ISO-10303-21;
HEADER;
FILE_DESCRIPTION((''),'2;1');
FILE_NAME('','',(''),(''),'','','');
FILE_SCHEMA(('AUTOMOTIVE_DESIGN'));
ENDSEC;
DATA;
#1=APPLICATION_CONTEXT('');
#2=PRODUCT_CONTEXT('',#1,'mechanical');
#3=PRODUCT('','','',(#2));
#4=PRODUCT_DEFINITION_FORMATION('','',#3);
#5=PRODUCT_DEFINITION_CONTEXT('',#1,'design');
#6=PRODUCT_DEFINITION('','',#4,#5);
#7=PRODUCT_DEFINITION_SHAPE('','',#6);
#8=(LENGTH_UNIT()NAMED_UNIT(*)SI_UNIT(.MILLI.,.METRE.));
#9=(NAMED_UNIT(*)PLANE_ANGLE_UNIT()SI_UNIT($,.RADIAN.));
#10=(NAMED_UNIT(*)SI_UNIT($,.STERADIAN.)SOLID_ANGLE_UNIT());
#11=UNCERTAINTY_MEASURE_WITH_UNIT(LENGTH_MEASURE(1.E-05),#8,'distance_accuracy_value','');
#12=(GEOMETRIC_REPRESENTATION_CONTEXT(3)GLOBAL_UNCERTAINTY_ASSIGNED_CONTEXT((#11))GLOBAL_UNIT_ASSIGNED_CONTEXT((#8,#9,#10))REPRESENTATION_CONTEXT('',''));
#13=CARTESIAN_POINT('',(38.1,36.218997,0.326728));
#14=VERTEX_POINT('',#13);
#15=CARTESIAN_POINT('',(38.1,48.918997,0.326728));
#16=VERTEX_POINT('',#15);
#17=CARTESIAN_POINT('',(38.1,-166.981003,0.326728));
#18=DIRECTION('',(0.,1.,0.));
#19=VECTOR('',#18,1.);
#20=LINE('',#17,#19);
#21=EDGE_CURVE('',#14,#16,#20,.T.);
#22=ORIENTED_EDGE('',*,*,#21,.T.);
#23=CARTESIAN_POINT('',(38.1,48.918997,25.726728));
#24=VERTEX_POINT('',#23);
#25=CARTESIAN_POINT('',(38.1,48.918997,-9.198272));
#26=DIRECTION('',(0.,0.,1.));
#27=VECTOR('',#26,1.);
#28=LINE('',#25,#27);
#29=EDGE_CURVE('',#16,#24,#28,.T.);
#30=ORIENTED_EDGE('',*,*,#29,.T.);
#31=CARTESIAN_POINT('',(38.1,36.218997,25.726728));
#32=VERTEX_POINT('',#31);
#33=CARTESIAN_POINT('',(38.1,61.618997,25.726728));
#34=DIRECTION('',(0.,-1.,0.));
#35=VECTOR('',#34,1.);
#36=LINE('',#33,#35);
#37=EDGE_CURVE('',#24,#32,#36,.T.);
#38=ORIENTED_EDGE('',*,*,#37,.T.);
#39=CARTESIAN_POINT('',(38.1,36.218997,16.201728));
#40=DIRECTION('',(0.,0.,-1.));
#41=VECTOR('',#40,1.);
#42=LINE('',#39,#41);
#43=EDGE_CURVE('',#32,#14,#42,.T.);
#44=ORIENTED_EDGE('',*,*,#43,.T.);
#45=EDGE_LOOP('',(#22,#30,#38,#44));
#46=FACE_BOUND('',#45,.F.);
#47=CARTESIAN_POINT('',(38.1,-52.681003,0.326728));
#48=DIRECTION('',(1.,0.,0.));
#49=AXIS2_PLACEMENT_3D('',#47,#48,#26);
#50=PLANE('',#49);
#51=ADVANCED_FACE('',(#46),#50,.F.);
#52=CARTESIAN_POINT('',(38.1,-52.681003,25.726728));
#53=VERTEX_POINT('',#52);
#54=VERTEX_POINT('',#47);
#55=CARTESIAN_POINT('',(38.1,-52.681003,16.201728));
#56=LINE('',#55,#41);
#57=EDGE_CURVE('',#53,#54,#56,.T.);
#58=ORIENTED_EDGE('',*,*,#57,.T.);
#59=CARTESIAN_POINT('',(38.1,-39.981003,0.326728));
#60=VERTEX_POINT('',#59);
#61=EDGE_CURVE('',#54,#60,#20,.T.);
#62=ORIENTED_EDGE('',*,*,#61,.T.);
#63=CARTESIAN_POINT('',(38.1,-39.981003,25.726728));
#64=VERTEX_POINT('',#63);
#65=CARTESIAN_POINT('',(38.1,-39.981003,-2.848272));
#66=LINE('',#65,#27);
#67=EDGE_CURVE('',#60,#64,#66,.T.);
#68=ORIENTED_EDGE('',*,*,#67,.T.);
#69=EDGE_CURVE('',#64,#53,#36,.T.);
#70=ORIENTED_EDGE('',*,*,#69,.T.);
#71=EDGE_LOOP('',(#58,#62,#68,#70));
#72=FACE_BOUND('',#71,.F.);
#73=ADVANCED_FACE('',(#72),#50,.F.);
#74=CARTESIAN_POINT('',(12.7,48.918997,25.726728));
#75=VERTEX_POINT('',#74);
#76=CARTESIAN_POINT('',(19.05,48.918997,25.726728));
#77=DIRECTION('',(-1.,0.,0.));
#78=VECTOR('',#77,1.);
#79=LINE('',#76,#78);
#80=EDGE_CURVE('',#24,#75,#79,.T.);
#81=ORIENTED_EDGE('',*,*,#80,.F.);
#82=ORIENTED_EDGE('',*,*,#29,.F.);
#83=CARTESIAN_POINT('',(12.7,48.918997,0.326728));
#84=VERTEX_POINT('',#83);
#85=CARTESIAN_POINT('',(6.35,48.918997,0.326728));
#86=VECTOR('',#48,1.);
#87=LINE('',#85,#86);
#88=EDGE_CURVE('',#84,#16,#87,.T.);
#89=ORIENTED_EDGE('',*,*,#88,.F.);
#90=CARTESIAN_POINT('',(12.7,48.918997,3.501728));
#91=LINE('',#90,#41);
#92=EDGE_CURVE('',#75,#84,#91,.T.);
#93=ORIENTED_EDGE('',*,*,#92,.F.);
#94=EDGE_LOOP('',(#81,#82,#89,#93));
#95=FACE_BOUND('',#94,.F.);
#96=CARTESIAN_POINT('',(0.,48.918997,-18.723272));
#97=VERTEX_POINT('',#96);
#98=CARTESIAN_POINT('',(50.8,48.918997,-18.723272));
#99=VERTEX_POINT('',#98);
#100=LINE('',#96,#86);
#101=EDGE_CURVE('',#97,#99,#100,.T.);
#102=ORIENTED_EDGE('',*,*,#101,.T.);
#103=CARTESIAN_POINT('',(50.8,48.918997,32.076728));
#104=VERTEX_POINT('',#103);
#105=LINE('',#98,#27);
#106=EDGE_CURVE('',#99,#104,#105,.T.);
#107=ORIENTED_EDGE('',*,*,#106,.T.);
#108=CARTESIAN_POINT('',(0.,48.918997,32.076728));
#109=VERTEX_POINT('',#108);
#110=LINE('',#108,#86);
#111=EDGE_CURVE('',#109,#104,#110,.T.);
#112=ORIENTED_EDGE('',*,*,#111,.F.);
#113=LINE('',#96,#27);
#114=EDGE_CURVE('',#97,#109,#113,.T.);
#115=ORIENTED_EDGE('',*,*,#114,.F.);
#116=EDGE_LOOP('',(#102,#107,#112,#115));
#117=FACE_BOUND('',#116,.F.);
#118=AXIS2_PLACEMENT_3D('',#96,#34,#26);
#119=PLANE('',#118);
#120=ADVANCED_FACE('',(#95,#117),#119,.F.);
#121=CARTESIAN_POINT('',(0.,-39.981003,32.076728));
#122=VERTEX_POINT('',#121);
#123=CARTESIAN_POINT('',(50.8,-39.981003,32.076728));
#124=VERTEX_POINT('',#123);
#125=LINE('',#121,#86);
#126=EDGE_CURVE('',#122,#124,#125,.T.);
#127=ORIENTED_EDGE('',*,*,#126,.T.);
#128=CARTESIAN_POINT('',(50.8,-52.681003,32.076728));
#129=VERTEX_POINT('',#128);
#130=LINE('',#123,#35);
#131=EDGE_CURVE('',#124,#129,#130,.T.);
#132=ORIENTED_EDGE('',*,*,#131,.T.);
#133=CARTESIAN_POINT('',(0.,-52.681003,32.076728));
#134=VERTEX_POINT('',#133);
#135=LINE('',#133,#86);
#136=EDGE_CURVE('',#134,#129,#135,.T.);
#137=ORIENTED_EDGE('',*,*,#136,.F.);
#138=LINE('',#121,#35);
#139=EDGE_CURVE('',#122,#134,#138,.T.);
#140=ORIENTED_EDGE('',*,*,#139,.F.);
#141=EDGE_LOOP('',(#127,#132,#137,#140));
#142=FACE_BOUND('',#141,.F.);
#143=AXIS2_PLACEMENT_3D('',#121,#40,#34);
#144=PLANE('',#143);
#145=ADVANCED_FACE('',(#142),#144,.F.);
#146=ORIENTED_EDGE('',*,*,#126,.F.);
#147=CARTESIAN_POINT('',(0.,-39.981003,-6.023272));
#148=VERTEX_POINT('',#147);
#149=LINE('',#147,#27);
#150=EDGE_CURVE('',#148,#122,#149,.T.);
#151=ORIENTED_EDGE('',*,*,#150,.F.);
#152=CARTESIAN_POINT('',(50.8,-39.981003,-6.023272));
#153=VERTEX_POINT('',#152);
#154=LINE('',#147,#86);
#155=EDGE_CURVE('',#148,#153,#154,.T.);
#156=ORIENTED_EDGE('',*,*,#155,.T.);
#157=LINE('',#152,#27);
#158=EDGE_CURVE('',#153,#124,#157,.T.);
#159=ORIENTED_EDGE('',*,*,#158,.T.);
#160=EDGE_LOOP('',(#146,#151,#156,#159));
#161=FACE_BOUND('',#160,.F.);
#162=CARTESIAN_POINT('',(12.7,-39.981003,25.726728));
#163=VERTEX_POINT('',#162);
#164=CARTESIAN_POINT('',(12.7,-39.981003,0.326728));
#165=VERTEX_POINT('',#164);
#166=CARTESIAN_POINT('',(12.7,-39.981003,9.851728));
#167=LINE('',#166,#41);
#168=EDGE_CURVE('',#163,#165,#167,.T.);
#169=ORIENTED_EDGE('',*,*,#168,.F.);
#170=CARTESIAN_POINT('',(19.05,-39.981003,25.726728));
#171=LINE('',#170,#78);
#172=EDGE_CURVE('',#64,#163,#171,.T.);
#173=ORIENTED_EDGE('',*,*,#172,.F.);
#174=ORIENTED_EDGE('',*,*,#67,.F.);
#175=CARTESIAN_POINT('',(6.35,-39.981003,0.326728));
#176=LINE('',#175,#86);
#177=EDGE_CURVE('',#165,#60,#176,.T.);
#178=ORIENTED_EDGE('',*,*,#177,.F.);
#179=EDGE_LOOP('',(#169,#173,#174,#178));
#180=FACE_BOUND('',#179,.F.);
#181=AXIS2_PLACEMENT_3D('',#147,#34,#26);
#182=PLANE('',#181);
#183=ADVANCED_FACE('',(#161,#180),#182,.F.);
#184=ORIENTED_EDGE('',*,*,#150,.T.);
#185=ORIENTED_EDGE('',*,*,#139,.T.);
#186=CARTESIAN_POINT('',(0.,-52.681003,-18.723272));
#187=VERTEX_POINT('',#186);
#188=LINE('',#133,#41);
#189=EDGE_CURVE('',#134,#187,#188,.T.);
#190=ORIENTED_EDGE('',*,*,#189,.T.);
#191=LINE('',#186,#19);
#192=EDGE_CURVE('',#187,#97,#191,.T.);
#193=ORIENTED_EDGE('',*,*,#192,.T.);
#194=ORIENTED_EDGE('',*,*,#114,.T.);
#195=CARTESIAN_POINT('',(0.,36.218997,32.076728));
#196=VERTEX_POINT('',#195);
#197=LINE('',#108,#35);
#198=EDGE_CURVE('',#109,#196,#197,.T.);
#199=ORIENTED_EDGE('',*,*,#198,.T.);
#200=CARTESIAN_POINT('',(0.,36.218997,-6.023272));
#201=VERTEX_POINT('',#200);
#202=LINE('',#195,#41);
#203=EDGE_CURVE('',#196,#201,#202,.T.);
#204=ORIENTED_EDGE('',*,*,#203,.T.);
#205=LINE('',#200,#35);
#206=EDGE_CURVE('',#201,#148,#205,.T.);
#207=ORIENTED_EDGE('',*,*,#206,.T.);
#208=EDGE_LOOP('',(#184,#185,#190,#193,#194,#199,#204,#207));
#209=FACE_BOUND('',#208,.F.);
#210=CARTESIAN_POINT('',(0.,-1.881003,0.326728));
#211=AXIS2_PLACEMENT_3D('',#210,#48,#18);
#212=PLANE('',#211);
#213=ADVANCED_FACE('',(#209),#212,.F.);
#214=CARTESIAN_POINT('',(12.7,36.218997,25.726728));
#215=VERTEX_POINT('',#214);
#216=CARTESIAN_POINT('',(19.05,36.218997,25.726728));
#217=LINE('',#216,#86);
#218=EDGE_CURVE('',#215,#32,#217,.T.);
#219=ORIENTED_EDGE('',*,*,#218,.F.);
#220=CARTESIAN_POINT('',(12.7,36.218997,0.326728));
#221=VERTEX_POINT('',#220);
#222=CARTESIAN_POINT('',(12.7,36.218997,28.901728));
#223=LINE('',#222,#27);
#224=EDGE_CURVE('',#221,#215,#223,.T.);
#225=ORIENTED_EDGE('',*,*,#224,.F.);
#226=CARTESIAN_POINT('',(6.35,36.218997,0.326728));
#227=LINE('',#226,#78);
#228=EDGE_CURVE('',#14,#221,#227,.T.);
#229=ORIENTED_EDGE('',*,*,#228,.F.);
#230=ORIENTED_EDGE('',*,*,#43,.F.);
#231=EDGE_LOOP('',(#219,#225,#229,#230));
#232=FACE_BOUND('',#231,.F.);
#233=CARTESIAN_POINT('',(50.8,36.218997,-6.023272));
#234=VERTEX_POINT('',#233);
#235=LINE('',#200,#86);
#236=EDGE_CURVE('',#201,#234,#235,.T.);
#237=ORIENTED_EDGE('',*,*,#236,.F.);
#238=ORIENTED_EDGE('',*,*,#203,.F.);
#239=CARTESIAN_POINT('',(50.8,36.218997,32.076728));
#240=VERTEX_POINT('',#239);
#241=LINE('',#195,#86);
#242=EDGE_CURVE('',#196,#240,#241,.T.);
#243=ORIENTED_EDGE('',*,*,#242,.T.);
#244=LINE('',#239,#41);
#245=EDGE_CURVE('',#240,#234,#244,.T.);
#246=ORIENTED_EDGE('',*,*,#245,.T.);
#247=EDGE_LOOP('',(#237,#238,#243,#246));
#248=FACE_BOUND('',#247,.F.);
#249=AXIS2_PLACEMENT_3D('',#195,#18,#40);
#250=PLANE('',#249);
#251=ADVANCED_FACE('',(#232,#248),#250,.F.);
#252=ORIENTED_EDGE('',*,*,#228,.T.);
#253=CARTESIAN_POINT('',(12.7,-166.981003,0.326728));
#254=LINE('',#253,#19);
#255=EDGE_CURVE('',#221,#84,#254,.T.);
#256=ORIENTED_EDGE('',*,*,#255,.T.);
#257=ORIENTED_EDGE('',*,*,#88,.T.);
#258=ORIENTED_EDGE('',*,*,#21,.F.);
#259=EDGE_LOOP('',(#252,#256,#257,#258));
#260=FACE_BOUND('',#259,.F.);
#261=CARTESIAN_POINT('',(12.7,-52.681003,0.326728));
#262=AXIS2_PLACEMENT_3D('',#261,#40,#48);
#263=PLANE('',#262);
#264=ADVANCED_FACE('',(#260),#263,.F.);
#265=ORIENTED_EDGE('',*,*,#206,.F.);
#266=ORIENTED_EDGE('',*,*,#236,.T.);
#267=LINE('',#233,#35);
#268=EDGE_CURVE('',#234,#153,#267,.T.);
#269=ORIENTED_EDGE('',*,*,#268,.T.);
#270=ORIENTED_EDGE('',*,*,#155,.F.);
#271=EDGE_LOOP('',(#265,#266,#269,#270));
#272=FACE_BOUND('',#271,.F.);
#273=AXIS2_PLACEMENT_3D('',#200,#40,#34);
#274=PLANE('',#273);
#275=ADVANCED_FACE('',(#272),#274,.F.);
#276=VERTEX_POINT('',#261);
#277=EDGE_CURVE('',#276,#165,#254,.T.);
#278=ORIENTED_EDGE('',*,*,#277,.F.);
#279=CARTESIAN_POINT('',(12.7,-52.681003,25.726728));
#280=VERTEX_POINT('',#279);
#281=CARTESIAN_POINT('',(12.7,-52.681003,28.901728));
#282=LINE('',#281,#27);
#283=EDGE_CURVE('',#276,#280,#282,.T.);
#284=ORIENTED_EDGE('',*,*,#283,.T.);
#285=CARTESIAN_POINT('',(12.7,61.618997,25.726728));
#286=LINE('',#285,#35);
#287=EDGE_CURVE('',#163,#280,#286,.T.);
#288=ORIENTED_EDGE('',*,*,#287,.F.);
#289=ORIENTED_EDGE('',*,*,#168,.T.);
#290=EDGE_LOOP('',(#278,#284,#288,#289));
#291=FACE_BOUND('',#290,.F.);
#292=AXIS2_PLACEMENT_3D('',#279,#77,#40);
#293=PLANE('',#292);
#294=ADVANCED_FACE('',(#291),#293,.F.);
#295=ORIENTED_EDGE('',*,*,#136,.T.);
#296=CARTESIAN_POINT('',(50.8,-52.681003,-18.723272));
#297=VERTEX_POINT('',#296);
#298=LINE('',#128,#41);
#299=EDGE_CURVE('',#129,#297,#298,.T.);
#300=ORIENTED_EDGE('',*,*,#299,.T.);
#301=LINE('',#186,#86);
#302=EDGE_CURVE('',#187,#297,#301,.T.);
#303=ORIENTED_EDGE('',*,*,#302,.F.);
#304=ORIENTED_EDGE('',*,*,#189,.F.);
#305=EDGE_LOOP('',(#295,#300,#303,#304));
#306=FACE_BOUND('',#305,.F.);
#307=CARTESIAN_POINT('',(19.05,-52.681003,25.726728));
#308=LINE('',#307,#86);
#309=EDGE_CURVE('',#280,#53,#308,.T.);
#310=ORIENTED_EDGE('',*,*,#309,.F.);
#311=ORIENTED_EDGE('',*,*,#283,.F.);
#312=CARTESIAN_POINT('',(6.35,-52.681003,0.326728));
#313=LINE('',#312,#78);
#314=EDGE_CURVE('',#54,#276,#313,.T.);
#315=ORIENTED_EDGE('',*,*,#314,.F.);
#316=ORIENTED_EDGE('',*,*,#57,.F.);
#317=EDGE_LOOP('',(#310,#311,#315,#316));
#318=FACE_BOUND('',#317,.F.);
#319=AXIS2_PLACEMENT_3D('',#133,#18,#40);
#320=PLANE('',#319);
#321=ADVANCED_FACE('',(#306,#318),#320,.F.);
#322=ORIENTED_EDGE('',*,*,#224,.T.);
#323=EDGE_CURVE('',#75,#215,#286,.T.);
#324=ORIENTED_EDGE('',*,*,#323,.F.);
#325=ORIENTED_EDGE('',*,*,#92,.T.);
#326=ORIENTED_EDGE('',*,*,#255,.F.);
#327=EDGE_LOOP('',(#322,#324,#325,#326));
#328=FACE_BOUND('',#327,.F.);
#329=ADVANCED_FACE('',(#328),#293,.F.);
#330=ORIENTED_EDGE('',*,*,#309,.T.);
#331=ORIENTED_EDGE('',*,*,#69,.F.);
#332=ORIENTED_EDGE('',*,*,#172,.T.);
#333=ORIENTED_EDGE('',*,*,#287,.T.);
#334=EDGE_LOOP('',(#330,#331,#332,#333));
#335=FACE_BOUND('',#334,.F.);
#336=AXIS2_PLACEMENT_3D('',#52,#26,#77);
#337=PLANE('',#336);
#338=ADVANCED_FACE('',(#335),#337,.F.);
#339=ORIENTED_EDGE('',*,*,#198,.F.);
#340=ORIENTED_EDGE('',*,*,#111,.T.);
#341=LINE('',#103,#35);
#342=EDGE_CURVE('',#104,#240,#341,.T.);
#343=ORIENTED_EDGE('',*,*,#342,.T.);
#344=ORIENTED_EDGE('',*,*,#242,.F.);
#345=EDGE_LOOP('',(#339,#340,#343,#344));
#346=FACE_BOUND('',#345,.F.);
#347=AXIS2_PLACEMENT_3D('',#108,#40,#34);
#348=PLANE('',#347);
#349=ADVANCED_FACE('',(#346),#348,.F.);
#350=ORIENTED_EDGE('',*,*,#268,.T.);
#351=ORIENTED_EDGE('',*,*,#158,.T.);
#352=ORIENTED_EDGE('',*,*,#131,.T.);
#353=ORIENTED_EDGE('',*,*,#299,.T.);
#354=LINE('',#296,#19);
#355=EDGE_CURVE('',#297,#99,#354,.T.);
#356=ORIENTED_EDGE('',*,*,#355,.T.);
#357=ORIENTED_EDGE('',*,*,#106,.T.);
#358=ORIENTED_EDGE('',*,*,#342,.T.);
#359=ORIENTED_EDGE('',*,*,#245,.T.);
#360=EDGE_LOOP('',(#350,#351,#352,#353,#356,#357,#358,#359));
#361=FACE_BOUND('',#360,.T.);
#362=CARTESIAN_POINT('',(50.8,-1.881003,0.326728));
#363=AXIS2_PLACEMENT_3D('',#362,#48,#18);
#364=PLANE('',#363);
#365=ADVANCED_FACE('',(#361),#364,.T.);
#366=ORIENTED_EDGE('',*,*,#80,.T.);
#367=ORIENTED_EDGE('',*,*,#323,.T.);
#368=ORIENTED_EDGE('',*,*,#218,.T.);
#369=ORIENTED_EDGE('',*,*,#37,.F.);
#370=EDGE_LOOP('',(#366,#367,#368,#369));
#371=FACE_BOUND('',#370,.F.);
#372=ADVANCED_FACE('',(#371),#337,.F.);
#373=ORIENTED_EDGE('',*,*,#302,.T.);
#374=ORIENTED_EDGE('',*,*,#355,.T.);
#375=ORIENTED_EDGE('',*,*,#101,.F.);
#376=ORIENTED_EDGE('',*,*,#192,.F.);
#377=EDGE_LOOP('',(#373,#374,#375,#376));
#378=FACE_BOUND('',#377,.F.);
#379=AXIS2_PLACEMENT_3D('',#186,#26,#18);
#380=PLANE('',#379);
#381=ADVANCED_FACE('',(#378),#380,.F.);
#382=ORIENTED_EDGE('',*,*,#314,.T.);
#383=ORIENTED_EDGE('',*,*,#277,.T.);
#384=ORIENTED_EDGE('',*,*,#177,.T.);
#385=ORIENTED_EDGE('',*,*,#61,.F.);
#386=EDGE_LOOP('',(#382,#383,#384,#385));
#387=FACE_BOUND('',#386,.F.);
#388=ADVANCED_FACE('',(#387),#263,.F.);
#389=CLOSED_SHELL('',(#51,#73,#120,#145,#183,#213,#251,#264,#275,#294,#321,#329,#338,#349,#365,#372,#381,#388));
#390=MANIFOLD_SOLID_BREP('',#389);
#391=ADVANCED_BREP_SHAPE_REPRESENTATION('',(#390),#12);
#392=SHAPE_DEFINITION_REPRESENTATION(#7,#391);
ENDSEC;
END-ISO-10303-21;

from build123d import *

# Parameters (mm, degrees)
F1_DEPTH = 50.8
F3_DEPTH = 114.3


with BuildPart() as f1:
    # F0 (on Right) → F1 (new body)
    with BuildSketch(Plane.YZ):
        Polygon((-52.681003, -18.723272), (-39.981003, -18.723272), (48.918997, -18.723272), (48.918997, 32.076728), (36.218997, 32.076728), (36.218997, -6.023272), (-39.981003, -6.023272), (-39.981003, 32.076728), (-52.681003, 32.076728), align=None)
    extrude(amount=F1_DEPTH)

    # F2 (on face) → F3 (cut, symmetric)
    with BuildSketch(Plane.XZ.offset(52.681003)):
        Polygon((24.353357, 0.326728), (38.1, 0.326728), (38.1, 13.026728), (38.1, 25.726728), (25.4, 25.726728), (12.7, 25.726728), (12.7, 9.816655), (12.7, 0.326728), align=None)
    extrude(amount=F3_DEPTH, both=True, mode=Mode.SUBTRACT)


solid = f1.part
